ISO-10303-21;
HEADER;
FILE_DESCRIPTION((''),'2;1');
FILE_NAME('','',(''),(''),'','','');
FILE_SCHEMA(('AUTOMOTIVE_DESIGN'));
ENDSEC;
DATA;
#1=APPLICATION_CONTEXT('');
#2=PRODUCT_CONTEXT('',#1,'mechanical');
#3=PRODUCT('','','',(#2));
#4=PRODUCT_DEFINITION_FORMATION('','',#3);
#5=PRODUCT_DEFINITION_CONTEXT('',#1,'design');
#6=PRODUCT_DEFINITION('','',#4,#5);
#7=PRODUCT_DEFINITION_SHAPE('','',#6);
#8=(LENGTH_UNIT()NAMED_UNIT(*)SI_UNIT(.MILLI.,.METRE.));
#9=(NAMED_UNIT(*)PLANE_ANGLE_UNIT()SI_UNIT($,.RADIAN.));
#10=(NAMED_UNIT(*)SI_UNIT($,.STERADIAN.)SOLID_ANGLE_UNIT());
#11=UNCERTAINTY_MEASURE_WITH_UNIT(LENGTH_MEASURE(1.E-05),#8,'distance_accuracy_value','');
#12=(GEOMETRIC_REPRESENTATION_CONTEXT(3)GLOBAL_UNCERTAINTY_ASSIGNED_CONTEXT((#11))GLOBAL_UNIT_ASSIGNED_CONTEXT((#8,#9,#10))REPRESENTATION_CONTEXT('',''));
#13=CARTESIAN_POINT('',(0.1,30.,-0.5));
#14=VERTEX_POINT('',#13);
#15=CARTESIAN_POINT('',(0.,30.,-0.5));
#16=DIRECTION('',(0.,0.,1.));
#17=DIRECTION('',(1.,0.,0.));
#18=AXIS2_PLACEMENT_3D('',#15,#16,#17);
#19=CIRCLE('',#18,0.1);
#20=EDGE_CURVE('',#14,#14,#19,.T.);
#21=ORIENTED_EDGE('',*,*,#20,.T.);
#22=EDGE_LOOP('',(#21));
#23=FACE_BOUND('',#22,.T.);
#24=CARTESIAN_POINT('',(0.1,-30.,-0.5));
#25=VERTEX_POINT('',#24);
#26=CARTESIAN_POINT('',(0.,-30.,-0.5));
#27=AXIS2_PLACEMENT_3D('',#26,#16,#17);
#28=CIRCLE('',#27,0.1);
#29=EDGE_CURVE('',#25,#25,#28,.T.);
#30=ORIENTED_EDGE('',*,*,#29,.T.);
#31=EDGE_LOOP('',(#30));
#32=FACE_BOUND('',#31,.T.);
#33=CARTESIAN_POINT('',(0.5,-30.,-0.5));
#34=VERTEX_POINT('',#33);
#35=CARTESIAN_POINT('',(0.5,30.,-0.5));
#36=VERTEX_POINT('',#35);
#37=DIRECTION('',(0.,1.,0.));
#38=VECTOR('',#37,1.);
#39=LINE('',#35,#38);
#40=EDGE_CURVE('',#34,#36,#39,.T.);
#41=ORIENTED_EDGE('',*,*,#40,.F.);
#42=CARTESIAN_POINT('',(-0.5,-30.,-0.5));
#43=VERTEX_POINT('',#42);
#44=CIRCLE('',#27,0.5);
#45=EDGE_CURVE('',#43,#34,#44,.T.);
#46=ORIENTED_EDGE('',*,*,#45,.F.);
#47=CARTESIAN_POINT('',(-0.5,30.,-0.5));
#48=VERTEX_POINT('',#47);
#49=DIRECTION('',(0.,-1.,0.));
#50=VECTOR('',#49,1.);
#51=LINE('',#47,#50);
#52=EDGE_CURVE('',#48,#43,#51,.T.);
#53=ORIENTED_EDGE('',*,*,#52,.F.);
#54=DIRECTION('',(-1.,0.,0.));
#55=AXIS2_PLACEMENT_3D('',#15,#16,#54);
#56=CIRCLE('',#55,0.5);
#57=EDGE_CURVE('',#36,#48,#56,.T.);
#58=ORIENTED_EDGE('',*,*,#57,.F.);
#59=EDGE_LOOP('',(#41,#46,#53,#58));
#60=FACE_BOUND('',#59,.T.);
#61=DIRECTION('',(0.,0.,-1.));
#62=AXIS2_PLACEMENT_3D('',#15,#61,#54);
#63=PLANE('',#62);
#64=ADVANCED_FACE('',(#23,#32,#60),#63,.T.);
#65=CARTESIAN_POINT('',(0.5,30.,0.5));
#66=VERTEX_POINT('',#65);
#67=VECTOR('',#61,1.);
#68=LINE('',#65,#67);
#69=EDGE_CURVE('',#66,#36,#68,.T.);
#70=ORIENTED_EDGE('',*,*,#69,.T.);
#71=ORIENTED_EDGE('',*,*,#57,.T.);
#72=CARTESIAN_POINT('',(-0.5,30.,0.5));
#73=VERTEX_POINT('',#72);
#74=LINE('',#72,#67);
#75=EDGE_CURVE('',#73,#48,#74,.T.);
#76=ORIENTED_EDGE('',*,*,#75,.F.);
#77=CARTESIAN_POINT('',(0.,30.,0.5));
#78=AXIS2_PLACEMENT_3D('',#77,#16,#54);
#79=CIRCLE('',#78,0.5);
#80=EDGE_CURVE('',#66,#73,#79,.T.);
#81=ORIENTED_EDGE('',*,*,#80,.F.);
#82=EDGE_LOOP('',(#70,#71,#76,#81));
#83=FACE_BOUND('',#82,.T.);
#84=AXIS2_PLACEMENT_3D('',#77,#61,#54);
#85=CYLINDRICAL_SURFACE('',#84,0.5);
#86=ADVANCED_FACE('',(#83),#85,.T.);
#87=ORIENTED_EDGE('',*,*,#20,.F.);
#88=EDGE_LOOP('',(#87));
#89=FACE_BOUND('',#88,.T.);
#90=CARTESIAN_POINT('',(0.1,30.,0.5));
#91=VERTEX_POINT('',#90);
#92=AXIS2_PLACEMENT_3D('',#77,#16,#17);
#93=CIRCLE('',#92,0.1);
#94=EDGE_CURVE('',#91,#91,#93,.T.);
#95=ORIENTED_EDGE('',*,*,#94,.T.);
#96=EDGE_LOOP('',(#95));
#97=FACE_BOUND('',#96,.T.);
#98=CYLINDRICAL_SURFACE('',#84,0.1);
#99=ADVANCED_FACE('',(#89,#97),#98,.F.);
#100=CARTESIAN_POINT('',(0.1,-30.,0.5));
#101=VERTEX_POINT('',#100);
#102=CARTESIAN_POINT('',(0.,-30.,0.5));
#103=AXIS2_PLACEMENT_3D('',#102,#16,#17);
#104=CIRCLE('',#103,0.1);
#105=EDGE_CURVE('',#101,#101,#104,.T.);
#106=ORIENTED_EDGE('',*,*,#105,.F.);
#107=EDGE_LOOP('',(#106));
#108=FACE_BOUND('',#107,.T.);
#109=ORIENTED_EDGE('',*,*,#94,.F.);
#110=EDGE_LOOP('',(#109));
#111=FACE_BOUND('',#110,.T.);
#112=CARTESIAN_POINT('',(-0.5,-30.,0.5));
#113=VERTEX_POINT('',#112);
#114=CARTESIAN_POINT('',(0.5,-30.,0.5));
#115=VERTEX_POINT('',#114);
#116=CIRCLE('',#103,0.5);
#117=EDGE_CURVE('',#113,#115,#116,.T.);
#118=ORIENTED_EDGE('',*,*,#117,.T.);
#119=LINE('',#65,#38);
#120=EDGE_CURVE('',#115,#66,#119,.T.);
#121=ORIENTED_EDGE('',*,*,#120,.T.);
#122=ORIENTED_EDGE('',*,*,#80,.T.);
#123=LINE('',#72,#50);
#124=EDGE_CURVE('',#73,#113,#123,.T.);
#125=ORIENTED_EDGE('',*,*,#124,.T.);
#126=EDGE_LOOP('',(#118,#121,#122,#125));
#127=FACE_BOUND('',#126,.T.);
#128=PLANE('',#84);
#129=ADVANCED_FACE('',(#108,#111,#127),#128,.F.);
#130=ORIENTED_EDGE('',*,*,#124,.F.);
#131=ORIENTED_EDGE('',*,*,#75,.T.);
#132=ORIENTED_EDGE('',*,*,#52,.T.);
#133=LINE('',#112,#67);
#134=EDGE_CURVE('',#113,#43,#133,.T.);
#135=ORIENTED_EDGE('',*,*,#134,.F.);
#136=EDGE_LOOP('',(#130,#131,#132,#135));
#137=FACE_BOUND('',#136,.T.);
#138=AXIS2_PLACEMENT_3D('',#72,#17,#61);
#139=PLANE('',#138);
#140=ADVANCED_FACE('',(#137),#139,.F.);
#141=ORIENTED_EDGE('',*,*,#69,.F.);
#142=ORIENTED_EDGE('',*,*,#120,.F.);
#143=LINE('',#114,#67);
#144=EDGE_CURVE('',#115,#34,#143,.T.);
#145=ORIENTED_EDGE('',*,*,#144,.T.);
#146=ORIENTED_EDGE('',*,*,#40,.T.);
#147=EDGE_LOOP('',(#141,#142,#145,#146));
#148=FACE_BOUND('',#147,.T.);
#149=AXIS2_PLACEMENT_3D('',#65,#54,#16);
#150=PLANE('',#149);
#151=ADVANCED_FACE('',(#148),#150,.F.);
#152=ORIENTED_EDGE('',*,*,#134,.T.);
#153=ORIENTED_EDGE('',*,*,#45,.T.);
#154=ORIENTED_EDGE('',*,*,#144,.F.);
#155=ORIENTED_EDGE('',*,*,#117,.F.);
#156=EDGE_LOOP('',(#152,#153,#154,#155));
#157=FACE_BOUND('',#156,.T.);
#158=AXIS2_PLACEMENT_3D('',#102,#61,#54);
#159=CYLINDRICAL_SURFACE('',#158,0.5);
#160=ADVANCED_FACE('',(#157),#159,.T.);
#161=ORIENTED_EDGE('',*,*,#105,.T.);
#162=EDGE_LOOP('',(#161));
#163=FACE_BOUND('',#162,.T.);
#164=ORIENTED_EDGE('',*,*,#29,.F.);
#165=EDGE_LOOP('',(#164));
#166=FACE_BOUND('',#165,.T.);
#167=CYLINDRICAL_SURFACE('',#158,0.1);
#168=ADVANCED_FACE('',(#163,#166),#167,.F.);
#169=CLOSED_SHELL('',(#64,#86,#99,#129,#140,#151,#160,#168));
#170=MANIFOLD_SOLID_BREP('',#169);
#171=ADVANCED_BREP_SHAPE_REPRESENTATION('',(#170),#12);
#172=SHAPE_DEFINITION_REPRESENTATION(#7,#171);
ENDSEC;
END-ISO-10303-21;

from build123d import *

# Parameters (mm, degrees)
SKETCH3_R      = 0.1
EXTRUDE1_DEPTH = 0.5


with BuildPart() as part:
    # Sketch3 → Extrude1 (new, symmetric)
    with BuildSketch(Plane.XY):
        with BuildLine():
            Line((-0.5, 30), (-0.5, -30))
            ThreePointArc((-0.5, -30), (0, -30.5), (0.5, -30))
            Line((0.5, -30), (0.5, 30))
            ThreePointArc((0.5, 30), (0, 30.5), (-0.5, 30))
        make_face()
        with Locations((0, 30)):
            Circle(SKETCH3_R, mode=Mode.SUBTRACT)
        with Locations((0, -30)):
            Circle(SKETCH3_R, mode=Mode.SUBTRACT)
    extrude(amount=EXTRUDE1_DEPTH, both=True)


solid = part.part
